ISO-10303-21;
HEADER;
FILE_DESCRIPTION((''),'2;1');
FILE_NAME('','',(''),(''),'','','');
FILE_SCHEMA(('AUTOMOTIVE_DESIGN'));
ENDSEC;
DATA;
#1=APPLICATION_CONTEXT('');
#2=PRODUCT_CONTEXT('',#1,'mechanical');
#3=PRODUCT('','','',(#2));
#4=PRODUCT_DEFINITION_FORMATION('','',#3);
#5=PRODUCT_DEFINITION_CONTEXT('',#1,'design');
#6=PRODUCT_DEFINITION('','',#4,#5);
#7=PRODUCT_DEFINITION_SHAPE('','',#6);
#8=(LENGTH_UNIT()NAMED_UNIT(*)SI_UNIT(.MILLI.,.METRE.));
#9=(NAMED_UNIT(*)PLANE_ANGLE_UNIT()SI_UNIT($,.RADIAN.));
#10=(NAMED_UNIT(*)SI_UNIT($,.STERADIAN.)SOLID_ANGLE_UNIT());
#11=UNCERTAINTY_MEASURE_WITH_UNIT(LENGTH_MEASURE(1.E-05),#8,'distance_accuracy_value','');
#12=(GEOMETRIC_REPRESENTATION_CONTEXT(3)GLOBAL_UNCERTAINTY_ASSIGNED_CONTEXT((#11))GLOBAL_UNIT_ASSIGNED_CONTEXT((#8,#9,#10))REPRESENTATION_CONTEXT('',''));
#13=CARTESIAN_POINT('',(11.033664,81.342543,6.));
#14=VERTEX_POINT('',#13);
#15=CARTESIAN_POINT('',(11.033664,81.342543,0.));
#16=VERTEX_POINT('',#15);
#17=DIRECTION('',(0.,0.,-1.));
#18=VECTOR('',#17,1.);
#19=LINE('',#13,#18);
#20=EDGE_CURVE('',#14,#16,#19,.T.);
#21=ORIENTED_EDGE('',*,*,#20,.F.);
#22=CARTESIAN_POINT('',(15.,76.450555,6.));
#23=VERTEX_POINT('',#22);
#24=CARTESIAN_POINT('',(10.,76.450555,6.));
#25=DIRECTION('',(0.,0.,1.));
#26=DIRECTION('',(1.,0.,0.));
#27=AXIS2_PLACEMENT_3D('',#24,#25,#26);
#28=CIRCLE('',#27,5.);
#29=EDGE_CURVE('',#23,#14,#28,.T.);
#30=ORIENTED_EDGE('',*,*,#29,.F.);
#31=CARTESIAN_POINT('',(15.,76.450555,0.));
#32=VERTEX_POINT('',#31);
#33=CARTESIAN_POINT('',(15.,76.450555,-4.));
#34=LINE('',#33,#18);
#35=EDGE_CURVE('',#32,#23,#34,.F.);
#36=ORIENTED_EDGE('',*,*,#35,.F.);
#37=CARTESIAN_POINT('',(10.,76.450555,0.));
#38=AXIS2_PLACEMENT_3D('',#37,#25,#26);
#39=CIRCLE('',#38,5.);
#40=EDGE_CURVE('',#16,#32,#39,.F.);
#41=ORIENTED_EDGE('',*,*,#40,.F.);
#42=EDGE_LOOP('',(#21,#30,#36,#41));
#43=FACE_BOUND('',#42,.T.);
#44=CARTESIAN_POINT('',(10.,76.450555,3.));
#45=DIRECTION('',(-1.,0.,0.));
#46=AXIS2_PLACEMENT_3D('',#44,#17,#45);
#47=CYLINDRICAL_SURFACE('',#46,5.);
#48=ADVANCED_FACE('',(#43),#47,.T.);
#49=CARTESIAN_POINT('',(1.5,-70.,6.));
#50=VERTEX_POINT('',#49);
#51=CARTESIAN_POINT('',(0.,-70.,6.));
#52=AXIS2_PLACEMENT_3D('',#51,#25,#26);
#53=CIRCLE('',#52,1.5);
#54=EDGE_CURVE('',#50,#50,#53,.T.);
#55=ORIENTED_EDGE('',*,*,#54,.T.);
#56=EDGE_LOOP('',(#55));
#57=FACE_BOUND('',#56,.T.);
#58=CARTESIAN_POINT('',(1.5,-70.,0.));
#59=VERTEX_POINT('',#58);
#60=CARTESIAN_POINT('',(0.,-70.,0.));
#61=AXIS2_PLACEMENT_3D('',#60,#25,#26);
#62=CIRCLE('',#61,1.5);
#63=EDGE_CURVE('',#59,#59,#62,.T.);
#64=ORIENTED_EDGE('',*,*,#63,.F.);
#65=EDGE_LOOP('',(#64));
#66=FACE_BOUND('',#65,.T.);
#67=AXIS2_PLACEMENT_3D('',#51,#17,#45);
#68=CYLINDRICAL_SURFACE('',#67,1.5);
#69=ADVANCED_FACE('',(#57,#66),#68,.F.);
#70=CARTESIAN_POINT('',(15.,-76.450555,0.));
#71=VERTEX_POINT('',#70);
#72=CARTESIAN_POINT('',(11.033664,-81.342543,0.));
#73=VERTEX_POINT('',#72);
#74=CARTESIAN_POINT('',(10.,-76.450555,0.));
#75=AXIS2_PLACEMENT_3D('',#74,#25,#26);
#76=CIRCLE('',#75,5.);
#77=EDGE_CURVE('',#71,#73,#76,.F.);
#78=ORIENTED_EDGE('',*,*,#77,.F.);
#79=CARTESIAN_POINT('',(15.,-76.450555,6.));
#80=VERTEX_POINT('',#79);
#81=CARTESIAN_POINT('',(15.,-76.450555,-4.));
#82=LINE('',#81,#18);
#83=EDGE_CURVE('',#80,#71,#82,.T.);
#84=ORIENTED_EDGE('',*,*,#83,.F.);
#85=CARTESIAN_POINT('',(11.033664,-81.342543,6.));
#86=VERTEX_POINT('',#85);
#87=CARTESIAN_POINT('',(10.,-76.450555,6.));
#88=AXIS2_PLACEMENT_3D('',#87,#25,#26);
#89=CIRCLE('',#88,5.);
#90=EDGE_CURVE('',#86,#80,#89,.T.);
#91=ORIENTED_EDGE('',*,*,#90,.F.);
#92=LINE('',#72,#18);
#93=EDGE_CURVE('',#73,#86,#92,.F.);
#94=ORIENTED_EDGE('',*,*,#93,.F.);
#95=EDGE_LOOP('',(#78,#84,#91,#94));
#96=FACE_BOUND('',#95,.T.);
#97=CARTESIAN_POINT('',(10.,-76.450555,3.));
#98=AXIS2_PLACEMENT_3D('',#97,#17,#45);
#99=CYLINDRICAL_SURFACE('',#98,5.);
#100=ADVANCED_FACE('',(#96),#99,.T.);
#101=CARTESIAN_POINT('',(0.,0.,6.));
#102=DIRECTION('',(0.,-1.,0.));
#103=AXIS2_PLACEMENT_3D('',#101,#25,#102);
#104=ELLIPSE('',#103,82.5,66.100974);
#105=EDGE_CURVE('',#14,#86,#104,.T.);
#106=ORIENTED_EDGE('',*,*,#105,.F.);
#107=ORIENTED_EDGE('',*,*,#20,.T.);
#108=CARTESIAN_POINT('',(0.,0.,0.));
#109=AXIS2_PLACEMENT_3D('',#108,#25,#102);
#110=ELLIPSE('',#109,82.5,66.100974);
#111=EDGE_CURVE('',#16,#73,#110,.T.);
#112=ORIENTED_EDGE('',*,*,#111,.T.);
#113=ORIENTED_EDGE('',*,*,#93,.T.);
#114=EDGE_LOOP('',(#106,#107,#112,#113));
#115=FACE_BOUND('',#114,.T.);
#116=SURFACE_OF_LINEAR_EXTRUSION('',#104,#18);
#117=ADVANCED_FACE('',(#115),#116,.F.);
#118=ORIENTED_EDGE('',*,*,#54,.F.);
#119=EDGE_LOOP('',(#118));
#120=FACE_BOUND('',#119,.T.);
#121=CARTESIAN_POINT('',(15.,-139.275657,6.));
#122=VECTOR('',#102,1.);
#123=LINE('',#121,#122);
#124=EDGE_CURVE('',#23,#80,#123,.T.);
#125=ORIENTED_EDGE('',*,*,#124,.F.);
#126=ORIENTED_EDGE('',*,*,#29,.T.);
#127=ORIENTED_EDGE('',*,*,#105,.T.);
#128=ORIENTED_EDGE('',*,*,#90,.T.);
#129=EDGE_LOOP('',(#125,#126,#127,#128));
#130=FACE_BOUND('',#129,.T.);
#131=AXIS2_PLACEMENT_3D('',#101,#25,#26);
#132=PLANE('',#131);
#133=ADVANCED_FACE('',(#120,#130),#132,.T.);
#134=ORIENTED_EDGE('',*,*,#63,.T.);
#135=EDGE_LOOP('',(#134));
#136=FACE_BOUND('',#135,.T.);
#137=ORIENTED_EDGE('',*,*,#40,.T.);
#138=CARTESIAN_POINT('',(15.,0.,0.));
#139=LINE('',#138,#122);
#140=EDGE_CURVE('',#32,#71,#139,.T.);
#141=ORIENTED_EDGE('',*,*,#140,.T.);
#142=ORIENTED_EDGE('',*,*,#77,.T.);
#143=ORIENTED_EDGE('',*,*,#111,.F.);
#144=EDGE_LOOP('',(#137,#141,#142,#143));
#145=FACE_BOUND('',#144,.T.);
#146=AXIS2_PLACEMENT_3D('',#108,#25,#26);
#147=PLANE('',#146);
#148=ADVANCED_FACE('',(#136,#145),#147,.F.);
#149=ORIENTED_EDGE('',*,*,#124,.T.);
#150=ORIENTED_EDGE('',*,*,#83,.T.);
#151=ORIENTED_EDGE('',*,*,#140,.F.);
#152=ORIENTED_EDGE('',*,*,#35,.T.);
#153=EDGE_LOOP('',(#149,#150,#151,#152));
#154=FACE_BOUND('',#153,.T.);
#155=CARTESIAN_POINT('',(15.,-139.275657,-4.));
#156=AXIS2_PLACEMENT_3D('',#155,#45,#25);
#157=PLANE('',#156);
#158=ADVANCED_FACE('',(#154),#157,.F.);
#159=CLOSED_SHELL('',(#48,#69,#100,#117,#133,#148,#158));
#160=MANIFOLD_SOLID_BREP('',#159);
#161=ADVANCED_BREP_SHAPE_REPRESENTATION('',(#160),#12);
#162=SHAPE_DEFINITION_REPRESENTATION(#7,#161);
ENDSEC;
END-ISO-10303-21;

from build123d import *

# Parameters (mm, degrees)
SKETCH1_RX          = 82.5
SKETCH1_RY          = 66.100974472
SKETCH1_R           = 1.5
BOSS_EXTRUDE1_DEPTH = 6
CUT_EXTRUDE1_DEPTH  = 10
FILLET1_R           = 5


with BuildPart() as part:
    # Sketch1 → Boss-Extrude1 (new body)
    with BuildSketch(Plane.XY):
        with Locations(Location((0, 0), (0, 0, -90))):
            Ellipse(SKETCH1_RX, SKETCH1_RY)
        with Locations((0, -70)):
            Circle(SKETCH1_R, mode=Mode.SUBTRACT)
    extrude(amount=BOSS_EXTRUDE1_DEPTH)

    # Sketch2 → Cut-Extrude1 (cut)
    with BuildSketch(Plane.XY.offset(6)):
        Polygon((15, -139.275656824), (15, 151.801672259), (87.864363855, 144.832157463), (90.234186387, -139.275656824), align=None)
    extrude(amount=-CUT_EXTRUDE1_DEPTH, mode=Mode.SUBTRACT)

    # Fillet1
    fillet1_edges = [part.edges().sort_by_distance(p)[0] for p in [
        (15, -80.347748934, 3),
        (15, 80.347748934, 3),
    ]]
    fillet(fillet1_edges, radius=FILLET1_R)


solid = part.part
